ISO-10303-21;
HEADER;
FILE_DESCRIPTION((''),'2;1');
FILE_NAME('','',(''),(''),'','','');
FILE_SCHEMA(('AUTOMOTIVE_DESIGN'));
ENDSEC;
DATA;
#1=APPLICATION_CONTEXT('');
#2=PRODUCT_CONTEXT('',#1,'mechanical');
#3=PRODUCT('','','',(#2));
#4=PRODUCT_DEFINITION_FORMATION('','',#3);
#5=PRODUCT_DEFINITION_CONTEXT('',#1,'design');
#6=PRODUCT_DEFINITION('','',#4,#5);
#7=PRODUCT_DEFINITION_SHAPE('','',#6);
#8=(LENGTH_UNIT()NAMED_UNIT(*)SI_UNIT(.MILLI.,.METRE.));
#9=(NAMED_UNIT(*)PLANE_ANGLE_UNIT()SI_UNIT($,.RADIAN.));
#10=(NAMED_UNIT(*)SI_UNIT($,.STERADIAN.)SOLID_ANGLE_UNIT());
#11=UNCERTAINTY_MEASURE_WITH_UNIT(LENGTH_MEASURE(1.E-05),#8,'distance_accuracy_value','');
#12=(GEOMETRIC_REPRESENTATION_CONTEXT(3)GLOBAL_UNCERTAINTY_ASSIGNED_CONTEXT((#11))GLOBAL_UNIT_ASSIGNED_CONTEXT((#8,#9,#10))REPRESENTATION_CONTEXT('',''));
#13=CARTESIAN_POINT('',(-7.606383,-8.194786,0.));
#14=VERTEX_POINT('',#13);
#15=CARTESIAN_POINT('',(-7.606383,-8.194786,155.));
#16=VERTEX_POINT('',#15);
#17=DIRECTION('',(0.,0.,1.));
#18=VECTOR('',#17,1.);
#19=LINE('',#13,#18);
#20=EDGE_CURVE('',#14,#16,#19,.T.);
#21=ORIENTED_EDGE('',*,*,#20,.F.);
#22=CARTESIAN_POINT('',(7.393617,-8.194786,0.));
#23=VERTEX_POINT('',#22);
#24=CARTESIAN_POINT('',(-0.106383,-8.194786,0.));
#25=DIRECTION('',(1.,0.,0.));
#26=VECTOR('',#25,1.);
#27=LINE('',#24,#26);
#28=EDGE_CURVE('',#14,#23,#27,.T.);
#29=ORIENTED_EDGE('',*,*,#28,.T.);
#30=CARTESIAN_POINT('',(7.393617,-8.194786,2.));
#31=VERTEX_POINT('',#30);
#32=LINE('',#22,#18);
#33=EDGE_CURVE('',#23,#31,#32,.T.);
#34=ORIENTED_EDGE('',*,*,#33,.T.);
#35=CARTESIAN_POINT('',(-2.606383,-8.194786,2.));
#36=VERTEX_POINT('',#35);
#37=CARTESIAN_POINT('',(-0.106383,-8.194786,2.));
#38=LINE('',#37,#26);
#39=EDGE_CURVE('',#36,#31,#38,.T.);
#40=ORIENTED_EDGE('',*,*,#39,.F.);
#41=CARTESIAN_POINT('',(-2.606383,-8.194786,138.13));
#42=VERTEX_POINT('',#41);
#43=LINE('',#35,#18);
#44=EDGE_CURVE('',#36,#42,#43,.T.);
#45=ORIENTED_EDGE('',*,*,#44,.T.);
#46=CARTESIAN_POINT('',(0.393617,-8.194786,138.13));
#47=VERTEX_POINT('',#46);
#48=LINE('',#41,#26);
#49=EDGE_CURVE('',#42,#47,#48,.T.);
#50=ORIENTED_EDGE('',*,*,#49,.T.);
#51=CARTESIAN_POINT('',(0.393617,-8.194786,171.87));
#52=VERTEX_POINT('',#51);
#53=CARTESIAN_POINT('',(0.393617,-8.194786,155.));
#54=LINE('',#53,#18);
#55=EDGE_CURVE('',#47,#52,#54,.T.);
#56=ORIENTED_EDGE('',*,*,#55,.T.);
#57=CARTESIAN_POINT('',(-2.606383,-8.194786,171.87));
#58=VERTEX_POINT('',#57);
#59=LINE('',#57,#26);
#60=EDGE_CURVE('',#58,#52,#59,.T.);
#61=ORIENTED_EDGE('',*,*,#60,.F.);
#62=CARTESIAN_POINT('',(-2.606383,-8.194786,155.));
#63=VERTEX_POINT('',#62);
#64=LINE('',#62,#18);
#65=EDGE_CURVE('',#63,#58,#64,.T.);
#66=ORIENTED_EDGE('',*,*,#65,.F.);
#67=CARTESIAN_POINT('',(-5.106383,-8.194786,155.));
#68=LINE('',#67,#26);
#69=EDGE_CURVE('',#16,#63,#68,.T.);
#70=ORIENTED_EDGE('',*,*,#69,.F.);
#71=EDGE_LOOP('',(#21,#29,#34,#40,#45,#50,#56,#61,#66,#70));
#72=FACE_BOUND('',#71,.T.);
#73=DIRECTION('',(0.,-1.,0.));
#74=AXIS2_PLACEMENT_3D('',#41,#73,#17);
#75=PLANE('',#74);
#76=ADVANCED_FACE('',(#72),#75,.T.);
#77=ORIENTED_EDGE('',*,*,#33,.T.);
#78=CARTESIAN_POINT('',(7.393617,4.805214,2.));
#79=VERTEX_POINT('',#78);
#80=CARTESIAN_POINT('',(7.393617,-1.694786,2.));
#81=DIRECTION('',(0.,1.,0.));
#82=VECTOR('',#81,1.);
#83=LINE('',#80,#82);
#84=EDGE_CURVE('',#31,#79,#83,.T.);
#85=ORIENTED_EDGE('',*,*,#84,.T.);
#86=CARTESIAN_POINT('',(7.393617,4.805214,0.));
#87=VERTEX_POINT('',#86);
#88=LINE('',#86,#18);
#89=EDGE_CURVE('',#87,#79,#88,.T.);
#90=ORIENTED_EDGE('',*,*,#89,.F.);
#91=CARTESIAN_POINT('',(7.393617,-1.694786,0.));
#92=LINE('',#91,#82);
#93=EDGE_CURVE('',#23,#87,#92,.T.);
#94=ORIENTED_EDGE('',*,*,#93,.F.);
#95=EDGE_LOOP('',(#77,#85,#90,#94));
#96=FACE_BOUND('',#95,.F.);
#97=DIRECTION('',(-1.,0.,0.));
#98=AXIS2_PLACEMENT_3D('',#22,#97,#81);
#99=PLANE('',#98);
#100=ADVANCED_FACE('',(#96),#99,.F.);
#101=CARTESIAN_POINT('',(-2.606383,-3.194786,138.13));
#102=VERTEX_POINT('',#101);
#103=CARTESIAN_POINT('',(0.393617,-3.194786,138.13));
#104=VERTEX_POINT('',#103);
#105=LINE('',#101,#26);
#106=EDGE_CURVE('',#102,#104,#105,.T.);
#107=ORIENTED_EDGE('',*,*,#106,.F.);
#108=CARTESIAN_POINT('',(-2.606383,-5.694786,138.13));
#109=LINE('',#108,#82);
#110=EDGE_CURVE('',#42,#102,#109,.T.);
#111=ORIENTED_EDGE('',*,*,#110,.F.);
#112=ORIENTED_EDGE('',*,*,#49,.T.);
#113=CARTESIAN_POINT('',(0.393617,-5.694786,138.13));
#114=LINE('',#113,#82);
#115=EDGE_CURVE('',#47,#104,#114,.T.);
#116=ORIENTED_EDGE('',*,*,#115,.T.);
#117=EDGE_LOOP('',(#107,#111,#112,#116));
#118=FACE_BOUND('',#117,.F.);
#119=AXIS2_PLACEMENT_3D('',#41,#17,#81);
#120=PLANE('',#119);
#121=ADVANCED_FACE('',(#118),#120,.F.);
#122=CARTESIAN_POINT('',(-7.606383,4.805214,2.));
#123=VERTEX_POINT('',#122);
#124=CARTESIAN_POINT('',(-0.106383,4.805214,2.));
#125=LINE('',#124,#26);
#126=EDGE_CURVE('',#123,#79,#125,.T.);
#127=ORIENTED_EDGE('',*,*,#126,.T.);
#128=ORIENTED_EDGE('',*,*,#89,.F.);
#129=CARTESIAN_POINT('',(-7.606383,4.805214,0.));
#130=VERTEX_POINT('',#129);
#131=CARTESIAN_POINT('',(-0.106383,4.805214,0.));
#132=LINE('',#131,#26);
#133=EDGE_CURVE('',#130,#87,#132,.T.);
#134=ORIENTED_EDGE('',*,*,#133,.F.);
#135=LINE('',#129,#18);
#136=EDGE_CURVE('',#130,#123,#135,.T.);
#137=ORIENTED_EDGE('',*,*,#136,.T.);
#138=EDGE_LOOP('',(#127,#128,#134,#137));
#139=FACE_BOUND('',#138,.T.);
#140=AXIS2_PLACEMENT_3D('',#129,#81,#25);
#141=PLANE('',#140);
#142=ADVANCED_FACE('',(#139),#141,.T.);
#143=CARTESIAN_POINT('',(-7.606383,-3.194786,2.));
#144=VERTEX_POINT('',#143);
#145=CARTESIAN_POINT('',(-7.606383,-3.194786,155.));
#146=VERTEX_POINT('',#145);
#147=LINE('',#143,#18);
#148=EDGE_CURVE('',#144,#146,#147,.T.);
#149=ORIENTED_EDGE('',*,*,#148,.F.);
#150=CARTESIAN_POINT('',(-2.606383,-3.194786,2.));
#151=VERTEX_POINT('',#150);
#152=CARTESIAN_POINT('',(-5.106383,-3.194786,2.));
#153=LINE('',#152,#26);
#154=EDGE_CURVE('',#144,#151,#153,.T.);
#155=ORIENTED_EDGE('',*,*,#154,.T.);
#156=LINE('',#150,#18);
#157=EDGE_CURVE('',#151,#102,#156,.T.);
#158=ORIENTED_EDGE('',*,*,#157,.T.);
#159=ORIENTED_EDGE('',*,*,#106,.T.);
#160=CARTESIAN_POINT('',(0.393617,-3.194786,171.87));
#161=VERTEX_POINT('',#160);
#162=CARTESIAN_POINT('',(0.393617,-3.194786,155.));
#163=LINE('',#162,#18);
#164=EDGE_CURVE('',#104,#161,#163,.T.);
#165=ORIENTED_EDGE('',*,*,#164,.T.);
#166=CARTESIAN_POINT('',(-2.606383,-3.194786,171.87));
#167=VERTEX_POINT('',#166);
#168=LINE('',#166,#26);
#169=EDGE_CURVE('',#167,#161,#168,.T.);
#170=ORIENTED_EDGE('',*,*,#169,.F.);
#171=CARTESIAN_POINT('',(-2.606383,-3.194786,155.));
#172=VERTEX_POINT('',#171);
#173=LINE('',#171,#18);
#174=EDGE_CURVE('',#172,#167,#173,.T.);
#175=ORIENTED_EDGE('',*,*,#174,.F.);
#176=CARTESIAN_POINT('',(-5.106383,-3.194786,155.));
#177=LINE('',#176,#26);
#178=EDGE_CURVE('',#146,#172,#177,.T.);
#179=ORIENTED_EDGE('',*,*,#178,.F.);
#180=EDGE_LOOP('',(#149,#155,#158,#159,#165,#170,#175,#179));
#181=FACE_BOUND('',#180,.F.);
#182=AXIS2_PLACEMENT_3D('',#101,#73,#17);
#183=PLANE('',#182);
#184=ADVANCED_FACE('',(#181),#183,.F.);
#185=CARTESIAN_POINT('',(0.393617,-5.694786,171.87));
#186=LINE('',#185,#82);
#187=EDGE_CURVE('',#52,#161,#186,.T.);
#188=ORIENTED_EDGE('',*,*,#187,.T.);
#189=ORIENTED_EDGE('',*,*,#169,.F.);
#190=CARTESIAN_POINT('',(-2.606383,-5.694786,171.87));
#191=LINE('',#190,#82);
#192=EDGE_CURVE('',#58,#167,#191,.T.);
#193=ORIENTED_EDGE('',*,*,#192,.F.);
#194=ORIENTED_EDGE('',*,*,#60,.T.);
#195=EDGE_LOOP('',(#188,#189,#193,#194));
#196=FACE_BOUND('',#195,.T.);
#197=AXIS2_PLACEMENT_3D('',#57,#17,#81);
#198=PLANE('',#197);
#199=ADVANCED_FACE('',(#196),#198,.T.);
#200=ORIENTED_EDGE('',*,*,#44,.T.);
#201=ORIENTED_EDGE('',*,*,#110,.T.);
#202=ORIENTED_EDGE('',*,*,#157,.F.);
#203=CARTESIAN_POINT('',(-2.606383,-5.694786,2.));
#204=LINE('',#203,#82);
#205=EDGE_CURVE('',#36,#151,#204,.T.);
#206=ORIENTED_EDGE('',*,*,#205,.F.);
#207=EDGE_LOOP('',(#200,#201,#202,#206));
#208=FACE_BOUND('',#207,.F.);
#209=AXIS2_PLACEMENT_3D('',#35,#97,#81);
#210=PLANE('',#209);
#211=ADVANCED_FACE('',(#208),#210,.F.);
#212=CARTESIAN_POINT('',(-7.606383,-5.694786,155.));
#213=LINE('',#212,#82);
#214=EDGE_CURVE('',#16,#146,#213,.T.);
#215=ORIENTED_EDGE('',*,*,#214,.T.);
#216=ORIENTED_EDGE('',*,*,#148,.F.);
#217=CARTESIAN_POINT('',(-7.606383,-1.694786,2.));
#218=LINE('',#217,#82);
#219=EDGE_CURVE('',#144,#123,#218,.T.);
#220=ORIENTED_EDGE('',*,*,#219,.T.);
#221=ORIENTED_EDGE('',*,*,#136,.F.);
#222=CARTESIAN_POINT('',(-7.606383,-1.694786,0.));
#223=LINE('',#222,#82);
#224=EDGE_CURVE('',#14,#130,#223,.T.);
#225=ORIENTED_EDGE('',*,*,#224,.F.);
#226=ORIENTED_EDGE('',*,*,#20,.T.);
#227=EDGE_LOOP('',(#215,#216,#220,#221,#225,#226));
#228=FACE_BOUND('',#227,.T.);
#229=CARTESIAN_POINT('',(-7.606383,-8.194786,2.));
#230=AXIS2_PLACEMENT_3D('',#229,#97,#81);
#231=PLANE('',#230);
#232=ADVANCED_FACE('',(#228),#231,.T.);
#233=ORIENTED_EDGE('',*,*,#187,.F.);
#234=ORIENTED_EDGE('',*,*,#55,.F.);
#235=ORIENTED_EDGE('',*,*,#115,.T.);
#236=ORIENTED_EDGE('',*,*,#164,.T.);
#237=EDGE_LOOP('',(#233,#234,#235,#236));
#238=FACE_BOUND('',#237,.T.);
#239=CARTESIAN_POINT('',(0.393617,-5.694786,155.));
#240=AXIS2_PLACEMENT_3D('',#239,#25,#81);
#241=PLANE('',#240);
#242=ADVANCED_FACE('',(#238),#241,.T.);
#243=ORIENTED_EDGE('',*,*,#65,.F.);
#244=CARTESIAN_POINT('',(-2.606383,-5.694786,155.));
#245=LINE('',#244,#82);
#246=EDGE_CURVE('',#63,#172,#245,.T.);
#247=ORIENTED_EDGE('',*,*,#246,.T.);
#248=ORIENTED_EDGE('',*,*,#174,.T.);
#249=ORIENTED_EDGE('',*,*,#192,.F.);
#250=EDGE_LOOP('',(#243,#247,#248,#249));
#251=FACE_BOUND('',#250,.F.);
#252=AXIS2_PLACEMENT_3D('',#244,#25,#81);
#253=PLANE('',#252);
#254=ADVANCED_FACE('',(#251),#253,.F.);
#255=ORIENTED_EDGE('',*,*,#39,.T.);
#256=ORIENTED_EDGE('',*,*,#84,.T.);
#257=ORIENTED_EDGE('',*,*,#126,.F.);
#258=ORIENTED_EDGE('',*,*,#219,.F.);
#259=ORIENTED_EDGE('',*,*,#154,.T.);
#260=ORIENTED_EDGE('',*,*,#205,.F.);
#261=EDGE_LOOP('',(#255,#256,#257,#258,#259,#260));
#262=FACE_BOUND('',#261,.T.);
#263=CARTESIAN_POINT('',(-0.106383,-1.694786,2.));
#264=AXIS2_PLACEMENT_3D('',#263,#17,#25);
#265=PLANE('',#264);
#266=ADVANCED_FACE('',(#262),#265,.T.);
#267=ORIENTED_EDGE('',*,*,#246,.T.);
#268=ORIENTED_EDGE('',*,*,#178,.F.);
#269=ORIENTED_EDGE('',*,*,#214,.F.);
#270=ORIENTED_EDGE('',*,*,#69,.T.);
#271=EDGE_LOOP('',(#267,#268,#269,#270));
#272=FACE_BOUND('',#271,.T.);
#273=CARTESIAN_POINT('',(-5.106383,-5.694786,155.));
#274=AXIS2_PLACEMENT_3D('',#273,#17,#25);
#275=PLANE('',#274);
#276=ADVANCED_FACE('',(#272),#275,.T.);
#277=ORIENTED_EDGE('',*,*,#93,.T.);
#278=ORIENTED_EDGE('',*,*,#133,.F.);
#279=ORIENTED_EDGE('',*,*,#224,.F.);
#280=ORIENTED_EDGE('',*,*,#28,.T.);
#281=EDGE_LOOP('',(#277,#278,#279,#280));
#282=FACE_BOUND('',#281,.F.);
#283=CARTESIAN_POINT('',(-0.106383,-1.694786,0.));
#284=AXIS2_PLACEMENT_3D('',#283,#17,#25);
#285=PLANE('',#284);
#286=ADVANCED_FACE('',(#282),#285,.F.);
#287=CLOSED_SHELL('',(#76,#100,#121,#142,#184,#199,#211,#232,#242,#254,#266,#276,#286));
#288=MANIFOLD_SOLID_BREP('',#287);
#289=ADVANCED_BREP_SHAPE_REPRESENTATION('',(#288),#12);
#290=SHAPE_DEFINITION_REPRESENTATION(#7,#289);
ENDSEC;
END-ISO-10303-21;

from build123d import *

# Parameters (mm, degrees)
SKETCH007_W  = 15
SKETCH007_H  = 13
PAD007_DEPTH = 2
SKETCH008_W  = 5
SKETCH008_H  = 5
PAD008_DEPTH = 153
SKETCH009_W  = 5
SKETCH009_H  = 33.74
PAD009_DEPTH = 3


with BuildPart() as part:
    # Sketch007 → Pad007 (new body)
    with BuildSketch(Plane.XY):
        with Locations((-0.106383, -1.694786)):
            Rectangle(SKETCH007_W, SKETCH007_H)
    extrude(amount=PAD007_DEPTH)

    # Sketch008 (on Face6 of Pad007) → Pad008 (join)
    with BuildSketch(Plane.XY.offset(2)):
        with Locations((-5.106383, -5.694786)):
            Rectangle(SKETCH008_W, SKETCH008_H)
    extrude(amount=PAD008_DEPTH)

    # Sketch009 (on Face5 of Pad008) → Pad009 (join)
    with BuildSketch(Plane.YZ.offset(-2.606383)):
        with Locations((-5.694786, 155)):
            Rectangle(SKETCH009_W, SKETCH009_H)
    extrude(amount=PAD009_DEPTH)


solid = part.part
